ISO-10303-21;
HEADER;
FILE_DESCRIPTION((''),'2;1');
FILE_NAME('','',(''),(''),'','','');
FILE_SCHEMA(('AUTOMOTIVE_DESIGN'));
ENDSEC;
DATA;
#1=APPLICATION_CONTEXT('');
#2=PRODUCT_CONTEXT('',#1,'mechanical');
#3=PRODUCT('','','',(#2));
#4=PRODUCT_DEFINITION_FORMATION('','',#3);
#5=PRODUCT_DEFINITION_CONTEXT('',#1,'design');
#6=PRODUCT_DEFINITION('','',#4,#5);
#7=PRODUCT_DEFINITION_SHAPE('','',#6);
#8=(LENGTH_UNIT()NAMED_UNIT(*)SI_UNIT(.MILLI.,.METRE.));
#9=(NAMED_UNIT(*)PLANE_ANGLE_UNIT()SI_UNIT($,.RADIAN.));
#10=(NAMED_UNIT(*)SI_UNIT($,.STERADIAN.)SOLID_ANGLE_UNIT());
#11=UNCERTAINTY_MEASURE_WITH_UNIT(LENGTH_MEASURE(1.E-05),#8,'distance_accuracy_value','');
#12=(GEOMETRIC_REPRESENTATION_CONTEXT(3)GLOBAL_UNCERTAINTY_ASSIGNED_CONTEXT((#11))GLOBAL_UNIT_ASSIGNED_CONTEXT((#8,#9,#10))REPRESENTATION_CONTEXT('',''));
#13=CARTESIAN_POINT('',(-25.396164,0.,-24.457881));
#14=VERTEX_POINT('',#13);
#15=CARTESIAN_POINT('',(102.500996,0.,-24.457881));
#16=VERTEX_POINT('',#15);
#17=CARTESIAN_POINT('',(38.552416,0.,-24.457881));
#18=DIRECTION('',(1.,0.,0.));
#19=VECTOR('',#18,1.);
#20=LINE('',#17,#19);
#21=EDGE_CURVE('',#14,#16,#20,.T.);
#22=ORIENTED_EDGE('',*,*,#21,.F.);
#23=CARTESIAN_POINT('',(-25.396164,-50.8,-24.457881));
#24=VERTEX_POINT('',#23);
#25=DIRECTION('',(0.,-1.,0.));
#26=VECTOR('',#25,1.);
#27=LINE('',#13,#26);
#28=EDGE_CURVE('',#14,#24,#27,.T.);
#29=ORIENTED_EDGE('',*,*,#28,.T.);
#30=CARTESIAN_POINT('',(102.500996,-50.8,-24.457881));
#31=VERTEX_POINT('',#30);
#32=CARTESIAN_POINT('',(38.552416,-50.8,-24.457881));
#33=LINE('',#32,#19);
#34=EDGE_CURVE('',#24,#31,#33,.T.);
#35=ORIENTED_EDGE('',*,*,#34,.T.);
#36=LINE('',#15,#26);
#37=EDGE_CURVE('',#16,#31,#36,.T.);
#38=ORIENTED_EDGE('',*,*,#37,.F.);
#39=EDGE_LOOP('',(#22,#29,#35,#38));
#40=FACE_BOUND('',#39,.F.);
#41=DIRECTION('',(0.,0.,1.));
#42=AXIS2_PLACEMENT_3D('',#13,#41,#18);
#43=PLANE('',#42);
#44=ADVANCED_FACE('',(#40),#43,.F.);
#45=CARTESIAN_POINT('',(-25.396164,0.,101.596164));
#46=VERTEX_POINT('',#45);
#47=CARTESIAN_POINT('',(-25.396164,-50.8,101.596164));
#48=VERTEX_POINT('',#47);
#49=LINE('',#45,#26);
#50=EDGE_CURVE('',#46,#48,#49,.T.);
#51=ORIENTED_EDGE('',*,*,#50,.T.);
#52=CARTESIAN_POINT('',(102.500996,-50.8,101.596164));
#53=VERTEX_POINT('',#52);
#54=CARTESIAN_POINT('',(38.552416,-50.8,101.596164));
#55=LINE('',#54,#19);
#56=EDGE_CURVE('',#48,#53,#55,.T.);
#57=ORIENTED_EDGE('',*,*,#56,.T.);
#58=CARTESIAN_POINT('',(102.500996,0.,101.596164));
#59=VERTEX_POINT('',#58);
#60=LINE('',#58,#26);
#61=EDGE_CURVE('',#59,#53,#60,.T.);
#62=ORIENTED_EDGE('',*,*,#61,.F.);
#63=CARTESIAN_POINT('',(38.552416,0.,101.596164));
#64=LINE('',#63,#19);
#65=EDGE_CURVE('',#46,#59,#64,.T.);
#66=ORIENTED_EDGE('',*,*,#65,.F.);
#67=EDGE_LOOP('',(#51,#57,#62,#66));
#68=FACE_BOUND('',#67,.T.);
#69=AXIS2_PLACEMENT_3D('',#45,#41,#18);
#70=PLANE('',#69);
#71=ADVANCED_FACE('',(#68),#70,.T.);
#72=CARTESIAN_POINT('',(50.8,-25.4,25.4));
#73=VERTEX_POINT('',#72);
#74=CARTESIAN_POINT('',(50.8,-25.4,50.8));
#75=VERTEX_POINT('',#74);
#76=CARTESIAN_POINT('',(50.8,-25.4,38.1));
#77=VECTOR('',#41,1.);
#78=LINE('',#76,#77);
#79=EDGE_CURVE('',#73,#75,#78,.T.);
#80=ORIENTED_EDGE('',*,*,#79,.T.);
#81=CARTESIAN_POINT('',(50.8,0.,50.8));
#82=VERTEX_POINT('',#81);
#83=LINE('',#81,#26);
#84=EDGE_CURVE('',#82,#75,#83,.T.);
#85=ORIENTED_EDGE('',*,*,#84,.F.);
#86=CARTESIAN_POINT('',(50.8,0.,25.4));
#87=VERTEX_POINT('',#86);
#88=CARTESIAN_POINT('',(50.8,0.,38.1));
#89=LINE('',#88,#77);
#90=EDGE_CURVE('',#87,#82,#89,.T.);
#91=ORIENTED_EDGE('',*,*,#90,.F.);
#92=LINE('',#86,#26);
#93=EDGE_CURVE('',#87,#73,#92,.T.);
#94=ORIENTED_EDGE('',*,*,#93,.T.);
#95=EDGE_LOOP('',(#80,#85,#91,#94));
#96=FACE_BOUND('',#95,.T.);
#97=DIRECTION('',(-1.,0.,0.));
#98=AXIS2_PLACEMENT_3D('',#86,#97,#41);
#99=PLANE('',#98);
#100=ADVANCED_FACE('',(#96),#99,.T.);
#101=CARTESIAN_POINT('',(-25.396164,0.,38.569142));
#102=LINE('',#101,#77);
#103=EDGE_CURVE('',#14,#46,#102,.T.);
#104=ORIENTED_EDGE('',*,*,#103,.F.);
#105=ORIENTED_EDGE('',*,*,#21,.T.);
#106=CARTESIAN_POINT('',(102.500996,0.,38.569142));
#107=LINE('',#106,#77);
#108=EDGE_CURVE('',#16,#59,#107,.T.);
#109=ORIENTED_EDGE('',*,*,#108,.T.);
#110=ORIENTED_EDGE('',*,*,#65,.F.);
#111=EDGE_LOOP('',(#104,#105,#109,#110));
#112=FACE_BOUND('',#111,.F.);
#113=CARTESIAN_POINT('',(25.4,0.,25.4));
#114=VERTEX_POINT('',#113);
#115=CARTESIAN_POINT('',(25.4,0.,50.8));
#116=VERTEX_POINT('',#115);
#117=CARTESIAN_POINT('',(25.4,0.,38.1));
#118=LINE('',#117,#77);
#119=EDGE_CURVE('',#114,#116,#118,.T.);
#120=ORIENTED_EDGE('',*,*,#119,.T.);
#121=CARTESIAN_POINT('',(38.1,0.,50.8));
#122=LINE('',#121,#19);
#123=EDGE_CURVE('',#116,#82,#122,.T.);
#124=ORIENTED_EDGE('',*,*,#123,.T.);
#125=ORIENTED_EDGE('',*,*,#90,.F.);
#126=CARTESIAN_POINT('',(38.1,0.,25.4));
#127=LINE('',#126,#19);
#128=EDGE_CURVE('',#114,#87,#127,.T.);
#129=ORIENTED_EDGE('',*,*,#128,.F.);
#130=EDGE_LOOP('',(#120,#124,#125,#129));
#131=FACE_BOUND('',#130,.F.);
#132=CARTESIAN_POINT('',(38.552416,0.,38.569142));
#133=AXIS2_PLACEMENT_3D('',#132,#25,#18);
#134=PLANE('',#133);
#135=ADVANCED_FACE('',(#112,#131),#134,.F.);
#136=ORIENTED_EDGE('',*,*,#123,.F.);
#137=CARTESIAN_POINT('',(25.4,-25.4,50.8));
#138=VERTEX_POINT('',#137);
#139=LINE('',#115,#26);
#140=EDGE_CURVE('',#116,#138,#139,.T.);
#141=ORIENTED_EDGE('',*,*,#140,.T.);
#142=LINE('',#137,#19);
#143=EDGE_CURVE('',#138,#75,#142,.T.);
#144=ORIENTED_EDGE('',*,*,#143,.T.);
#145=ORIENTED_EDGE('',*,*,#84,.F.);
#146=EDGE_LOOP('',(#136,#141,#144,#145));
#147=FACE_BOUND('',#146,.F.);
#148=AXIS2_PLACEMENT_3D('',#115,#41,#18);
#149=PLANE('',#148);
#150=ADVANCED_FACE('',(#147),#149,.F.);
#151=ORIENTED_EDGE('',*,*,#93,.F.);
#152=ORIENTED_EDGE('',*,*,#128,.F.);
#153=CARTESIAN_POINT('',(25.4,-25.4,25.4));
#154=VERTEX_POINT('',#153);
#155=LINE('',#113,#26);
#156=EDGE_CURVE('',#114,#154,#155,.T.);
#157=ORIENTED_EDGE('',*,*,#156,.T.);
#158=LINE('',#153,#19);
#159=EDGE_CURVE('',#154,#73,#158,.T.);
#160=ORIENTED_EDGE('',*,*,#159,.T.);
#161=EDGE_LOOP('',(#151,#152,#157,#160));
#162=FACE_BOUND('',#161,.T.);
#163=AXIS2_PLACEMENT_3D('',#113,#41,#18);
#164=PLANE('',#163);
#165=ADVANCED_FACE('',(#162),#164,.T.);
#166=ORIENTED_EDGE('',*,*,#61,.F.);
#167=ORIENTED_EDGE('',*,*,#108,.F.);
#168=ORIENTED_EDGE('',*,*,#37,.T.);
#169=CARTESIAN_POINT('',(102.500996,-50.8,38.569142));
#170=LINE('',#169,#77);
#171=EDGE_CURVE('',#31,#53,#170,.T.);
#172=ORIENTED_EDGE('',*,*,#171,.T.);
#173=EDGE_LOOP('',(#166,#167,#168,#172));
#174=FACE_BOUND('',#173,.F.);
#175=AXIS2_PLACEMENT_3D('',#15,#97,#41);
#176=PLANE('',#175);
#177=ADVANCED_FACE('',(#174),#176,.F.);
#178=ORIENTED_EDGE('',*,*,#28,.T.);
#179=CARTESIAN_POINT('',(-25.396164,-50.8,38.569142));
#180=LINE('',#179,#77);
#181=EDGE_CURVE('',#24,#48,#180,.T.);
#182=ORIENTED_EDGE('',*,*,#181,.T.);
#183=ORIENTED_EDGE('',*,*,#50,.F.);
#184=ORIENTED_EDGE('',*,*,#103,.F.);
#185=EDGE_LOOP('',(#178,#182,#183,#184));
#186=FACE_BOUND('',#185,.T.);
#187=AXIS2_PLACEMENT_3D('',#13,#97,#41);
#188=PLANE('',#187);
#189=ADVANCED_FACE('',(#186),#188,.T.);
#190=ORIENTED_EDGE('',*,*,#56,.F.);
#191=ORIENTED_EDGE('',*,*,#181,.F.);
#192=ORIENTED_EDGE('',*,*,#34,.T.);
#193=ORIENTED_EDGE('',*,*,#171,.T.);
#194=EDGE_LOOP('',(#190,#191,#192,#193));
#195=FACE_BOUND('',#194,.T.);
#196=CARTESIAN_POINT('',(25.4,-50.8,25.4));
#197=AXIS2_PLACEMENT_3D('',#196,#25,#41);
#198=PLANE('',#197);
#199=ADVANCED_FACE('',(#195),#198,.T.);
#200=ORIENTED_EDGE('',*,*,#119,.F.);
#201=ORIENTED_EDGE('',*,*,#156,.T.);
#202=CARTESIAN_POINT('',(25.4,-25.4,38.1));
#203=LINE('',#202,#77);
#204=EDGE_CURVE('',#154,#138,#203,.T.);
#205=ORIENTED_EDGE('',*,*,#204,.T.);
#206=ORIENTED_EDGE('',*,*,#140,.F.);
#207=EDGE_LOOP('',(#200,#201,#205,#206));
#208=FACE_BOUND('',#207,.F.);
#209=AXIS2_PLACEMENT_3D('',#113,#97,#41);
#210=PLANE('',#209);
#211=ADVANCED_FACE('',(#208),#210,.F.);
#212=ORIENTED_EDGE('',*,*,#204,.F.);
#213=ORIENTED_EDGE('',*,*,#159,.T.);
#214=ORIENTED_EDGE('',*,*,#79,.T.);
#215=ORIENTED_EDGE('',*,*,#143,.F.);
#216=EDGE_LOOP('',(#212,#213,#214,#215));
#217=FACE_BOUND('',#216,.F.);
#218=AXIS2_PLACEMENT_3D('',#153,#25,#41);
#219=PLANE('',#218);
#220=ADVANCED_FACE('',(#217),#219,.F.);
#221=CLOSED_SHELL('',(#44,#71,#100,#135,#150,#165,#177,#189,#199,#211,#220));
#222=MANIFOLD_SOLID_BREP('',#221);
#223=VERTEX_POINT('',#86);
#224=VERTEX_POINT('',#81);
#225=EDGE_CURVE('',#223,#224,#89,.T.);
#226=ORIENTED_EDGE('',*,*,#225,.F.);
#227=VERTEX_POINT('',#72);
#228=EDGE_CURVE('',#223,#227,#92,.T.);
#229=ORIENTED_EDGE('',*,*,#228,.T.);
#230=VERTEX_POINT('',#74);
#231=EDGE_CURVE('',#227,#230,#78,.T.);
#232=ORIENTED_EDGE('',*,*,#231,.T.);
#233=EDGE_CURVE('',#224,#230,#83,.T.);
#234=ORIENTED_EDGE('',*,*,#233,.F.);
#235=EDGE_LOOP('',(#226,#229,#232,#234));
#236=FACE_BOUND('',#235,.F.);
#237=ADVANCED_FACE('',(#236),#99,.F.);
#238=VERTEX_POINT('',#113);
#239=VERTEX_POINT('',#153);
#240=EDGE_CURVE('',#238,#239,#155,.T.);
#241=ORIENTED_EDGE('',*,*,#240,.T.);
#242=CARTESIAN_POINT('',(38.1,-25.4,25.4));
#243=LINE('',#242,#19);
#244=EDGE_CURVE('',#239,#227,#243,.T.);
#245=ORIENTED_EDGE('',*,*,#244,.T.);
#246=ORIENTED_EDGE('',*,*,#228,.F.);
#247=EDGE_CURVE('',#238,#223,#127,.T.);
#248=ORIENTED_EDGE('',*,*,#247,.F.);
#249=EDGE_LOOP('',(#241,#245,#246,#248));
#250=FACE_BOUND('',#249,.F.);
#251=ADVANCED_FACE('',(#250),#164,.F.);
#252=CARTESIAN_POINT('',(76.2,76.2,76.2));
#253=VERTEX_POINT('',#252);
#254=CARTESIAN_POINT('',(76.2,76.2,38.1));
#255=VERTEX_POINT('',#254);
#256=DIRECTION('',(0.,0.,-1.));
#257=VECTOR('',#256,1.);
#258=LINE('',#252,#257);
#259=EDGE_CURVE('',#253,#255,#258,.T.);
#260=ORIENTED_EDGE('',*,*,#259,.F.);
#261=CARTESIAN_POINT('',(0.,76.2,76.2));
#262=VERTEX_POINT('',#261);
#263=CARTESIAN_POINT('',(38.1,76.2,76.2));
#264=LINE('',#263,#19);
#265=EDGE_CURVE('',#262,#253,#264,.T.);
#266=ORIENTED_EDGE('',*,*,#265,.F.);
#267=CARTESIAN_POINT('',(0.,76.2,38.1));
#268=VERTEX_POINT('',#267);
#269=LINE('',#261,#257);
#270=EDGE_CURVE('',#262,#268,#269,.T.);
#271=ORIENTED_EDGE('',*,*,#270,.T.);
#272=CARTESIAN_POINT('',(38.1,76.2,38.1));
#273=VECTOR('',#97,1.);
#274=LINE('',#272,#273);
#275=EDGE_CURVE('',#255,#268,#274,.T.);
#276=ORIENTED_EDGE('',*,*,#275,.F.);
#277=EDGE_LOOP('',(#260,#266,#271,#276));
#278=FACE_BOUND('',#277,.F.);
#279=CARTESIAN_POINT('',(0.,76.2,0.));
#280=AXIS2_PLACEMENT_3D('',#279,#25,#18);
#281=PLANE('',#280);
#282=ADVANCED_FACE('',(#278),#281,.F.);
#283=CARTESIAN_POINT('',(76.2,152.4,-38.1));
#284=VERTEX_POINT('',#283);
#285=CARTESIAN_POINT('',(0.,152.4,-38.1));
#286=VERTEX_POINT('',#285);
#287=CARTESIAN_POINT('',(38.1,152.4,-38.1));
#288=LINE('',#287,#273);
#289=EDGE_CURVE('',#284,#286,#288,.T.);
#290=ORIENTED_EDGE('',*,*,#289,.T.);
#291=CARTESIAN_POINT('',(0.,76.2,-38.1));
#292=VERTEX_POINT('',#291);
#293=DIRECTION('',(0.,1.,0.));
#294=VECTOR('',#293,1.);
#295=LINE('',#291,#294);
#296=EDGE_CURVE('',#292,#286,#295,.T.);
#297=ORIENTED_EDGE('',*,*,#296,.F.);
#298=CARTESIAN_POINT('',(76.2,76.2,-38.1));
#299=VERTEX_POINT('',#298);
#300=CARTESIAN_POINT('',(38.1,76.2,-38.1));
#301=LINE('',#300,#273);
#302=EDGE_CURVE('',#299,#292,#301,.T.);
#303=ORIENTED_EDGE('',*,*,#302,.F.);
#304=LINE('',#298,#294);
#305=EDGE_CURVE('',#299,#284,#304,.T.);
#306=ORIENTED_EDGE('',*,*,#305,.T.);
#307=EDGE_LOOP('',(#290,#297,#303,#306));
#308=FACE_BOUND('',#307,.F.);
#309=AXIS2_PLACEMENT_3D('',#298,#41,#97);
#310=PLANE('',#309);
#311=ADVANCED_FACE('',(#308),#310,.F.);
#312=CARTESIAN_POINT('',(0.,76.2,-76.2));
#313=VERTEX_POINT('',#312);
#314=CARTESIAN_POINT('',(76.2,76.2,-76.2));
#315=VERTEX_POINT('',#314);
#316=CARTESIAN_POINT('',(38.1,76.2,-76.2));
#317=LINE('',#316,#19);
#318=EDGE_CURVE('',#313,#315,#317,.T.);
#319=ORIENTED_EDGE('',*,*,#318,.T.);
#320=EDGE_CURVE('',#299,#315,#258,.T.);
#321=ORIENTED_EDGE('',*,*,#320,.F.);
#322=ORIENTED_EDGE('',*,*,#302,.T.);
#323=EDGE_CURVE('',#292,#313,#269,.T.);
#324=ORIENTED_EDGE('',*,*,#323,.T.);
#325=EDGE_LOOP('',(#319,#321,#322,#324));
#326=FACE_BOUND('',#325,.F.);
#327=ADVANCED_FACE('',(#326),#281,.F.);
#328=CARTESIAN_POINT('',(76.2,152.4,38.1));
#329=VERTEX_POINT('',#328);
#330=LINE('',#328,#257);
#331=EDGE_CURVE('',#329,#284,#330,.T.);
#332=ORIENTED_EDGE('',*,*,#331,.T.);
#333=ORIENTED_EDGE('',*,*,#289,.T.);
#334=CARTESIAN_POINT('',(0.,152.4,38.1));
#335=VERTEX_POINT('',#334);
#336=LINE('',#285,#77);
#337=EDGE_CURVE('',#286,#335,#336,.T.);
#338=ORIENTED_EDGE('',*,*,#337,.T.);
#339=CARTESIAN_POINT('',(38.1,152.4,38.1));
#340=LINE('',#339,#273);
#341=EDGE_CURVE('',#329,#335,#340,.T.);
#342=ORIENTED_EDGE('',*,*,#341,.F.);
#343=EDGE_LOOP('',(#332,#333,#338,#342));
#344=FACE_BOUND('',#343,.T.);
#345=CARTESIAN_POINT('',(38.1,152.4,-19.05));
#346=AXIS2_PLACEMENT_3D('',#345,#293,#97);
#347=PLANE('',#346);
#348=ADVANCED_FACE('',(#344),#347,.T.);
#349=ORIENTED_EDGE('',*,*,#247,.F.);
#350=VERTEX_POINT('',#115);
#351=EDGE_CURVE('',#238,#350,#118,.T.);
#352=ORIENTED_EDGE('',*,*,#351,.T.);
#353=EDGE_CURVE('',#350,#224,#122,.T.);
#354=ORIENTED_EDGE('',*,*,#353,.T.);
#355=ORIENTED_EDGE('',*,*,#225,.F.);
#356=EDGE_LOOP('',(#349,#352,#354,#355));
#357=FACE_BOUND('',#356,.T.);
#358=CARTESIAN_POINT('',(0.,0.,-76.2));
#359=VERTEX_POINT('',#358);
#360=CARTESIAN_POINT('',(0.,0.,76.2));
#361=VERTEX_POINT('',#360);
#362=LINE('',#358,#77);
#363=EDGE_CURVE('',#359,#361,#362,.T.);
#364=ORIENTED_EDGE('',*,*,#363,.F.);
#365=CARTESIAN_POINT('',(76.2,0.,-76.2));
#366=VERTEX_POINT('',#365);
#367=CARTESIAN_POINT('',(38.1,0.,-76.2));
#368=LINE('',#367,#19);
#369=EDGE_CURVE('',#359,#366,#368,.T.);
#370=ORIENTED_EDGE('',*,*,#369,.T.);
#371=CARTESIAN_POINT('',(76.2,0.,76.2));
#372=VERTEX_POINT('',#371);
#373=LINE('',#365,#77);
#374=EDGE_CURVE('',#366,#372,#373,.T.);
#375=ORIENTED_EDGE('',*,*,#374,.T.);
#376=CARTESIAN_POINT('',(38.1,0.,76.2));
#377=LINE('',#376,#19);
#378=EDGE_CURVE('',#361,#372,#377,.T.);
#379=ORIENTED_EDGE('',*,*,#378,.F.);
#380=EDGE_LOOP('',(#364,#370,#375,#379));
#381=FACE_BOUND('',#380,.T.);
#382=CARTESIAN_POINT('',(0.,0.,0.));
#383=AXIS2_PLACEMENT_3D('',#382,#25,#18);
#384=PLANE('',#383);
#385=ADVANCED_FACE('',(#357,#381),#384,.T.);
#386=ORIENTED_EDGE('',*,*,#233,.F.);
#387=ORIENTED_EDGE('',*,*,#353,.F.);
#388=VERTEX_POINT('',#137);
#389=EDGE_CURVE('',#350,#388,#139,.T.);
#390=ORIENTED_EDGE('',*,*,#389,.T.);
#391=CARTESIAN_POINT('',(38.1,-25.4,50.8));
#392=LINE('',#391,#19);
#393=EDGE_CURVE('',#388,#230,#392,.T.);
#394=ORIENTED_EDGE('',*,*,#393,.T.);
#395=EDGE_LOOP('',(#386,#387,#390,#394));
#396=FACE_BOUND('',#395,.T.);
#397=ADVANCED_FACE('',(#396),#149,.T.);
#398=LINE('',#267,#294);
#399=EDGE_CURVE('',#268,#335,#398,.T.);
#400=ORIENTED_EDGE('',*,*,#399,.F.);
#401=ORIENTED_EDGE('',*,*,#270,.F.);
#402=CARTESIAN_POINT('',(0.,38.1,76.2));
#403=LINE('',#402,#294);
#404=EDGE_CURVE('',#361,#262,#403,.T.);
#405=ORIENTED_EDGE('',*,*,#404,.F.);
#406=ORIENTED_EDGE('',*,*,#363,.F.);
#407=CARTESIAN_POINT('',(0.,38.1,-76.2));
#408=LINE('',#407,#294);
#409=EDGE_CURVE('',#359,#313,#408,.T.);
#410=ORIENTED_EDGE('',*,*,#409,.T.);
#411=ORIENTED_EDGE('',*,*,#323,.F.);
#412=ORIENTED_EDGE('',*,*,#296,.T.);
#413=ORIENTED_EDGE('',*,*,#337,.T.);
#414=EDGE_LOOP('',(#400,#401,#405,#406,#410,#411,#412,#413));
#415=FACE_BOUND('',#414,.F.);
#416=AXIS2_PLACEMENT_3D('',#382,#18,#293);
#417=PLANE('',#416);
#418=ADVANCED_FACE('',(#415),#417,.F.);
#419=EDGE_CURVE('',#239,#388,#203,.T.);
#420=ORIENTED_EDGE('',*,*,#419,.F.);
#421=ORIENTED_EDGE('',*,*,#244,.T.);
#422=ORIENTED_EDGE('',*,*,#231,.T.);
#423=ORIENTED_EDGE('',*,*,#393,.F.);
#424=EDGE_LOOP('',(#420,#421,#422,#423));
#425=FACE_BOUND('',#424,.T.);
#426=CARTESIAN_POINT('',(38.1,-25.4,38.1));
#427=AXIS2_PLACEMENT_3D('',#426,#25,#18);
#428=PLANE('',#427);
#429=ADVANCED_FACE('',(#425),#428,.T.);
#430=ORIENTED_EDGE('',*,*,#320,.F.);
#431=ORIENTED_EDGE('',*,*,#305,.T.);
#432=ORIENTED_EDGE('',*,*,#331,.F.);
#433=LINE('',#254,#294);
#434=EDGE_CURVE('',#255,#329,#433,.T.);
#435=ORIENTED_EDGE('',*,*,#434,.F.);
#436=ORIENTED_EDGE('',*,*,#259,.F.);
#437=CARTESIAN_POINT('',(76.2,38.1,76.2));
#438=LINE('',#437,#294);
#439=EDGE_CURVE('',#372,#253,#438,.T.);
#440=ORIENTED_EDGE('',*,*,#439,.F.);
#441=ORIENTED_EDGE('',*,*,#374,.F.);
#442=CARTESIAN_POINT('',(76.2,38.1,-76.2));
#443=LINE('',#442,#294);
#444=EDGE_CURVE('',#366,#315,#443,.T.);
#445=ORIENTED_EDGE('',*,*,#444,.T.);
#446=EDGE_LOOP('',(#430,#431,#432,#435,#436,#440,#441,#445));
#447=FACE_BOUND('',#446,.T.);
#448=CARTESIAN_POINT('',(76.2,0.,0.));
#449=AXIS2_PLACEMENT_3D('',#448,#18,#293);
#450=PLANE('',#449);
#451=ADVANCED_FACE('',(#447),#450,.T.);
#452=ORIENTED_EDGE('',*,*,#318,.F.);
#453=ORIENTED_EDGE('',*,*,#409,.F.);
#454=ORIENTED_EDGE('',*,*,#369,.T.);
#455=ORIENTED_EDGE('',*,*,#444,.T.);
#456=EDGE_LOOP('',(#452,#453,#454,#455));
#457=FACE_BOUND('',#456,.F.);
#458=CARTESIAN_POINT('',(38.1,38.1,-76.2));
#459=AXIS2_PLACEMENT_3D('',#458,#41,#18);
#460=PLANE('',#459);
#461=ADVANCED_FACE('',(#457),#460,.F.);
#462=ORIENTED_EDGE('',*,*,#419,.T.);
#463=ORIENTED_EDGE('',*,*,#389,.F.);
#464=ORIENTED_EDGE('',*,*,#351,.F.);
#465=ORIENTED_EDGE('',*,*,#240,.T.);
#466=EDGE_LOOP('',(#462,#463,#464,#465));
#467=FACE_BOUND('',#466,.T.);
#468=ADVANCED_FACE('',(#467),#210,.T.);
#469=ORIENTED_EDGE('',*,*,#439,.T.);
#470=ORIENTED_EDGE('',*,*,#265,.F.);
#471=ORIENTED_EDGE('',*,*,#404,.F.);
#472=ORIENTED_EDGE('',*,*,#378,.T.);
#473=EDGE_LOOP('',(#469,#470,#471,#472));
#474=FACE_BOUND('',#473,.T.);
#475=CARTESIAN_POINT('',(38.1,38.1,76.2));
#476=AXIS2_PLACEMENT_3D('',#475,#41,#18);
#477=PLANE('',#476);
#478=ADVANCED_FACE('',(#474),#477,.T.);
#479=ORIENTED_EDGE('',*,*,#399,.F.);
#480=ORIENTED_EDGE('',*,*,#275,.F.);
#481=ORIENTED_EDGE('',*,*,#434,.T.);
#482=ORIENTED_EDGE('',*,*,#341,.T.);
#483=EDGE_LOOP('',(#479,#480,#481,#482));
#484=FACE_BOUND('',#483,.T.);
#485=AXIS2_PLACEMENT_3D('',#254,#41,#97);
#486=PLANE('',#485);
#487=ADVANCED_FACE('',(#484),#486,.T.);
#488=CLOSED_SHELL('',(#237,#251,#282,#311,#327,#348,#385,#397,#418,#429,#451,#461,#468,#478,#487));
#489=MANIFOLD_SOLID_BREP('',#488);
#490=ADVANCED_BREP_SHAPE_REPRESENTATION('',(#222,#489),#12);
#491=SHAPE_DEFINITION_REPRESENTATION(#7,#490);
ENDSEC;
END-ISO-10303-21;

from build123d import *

# Parameters (mm, degrees)
F0_W      = 76.2
F0_H      = 76.2
F1_DEPTH  = 76.2
F2_W      = 25.4
F2_H      = 25.4
F3_DEPTH  = 25.4
F4_W      = 127.8971601269
F4_H      = 126.0540452983
F4_W_2    = 76.2
F4_H_2    = 76.2
F4_W_3    = 25.4
F4_H_3    = 25.4
F5_DEPTH  = 50.8
F6_W      = 25.4
F6_H      = 25.4
F7_DEPTH  = 25.4
F8_DEPTH  = 76.2
F9_W      = 76.2
F9_H      = 38.1
F10_DEPTH = 76.2


with BuildPart() as f1:
    # F0 (on Top) → F1 (new body)
    with BuildSketch(Plane.XY):
        with Locations((38.1, 38.1)):
            Rectangle(F0_W, F0_H)
    extrude(amount=F1_DEPTH)

    # F2 (on face) → F3 (join)
    with BuildSketch(Plane.XZ):
        with Locations((38.1, 38.1)):
            Rectangle(F2_W, F2_H)
    extrude(amount=F3_DEPTH)


with BuildPart() as f5:
    # F4 (on face) → F5 (new body)
    with BuildSketch(Plane.XZ):
        with Locations((38.5524157531, 38.5691416612)):
            Rectangle(F4_W, F4_H)
        with Locations((38.1, 38.1)):
            Rectangle(F4_W_2, F4_H_2, mode=Mode.SUBTRACT)
        with Locations((38.1, 38.1)):
            Rectangle(F4_W_2, F4_H_2)
        with Locations((38.1, 38.1)):
            Rectangle(F4_W_3, F4_H_3, mode=Mode.SUBTRACT)
    extrude(amount=F5_DEPTH)

    # F6 (on face) → F7 (join)
    with BuildSketch(Plane.YZ.offset(25.4)):
        with Locations((-38.1, 38.1)):
            Rectangle(F6_W, F6_H)
    extrude(amount=F7_DEPTH)


with BuildPart() as f8:
    # F8 (new): a face of the model
    f8_faces = [f1.part.faces().sort_by_distance(p)[0] for p in [
        (38.1, 38.1, 0),
    ]]
    extrude(f8_faces, amount=F8_DEPTH)


with BuildPart() as f1_1:
    add(f1.part)

    add(f8.part)  # F10 merges F8
    # F9 (on face) → F10 (join)
    with BuildSketch(Plane(origin=(0, 76.2, 0), x_dir=(-1, 0, 0), z_dir=(0, 1, 0))):
        with Locations((-38.1, -19.05)):
            Rectangle(F9_W, F9_H)
        with Locations((-38.1, 19.05)):
            Rectangle(F9_W, F9_H)
    extrude(amount=F10_DEPTH)


solid = Compound([f5.part, f1_1.part])
